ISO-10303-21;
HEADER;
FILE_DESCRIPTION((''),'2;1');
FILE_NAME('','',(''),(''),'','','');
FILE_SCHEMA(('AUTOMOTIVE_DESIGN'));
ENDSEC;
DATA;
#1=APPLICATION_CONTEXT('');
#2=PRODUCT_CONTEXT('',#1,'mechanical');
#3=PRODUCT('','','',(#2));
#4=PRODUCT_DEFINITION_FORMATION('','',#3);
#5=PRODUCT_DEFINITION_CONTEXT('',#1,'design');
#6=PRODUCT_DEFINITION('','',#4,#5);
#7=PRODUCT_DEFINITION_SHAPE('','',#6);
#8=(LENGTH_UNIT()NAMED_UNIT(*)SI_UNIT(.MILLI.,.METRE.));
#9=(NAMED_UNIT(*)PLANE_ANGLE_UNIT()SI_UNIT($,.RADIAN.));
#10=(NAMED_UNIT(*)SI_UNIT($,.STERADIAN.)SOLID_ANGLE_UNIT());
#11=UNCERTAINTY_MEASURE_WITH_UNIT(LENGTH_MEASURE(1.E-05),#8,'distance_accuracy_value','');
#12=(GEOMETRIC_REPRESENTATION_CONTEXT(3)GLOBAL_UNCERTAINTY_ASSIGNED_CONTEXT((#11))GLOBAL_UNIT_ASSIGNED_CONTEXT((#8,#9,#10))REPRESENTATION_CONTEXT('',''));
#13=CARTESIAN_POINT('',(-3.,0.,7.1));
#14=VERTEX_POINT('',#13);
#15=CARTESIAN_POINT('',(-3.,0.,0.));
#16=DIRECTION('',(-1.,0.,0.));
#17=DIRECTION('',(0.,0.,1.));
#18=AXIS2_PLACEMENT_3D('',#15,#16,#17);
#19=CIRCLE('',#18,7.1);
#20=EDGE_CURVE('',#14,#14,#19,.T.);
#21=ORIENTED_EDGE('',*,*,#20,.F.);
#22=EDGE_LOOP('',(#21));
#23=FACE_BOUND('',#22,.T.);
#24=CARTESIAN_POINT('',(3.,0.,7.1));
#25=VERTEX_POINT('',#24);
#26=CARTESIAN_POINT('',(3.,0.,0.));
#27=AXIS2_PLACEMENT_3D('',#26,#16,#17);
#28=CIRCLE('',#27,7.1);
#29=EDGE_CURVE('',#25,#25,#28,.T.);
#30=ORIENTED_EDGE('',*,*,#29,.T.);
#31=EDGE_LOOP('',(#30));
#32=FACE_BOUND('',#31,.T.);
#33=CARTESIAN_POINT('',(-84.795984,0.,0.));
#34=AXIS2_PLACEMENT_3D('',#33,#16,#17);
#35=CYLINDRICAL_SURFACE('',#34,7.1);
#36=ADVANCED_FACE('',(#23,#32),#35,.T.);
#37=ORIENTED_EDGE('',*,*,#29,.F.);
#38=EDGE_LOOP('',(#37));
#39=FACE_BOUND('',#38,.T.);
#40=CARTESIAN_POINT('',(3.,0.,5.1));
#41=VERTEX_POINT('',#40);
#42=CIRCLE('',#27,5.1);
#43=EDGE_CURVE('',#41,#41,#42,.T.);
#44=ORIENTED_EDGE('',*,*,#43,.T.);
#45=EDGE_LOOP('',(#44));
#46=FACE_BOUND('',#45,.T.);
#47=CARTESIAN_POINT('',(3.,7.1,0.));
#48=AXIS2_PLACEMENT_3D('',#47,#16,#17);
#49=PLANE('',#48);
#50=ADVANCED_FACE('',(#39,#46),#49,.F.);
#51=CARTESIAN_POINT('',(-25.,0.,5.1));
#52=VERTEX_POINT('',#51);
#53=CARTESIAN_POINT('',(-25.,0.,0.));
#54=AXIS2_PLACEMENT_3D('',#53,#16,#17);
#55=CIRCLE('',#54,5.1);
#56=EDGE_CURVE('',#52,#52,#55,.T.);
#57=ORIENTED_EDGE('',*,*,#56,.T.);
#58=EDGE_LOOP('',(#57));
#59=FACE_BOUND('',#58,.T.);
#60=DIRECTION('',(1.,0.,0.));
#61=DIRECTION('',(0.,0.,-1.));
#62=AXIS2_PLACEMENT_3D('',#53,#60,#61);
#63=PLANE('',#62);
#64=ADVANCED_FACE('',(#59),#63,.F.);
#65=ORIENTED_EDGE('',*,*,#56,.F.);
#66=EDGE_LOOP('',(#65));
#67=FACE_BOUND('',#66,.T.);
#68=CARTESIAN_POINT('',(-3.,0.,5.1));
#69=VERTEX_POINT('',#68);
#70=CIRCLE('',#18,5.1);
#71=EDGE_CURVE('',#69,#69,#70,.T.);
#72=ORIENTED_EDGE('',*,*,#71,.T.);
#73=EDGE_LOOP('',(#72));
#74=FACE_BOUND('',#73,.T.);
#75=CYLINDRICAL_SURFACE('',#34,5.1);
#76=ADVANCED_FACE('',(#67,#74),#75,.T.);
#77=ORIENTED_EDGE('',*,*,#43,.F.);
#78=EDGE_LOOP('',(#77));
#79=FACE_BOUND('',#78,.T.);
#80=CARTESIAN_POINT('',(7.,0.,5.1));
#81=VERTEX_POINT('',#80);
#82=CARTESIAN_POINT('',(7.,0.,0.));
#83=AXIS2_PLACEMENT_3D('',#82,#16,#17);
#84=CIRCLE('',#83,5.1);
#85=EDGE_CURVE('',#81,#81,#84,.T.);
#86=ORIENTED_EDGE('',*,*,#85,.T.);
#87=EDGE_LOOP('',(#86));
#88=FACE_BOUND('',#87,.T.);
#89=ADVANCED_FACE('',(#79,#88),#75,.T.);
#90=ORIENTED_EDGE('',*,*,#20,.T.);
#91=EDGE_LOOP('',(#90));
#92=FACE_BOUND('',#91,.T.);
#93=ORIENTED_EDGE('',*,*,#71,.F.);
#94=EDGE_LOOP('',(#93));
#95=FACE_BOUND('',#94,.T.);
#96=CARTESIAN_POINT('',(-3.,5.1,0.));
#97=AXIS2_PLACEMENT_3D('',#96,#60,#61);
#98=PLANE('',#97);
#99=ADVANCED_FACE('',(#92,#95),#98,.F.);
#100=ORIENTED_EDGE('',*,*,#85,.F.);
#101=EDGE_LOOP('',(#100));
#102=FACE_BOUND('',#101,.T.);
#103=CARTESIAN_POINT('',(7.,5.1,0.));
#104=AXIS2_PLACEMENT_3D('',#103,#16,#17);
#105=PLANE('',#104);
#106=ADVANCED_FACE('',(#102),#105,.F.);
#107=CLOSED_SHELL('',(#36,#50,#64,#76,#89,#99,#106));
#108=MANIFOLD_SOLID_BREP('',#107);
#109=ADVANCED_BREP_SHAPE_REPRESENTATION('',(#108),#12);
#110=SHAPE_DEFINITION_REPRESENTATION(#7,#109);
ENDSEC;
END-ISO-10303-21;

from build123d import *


with BuildPart() as part:
    # 草图1 → 旋转1 (revolve)
    with BuildSketch(Plane.XY, mode=Mode.PRIVATE) as revolve_1_sk:
        Polygon((-25, 0), (-25, 5.1), (-3, 5.1), (-3, 7.1), (3, 7.1), (3, 5.1), (7, 5.1), (7, 0), align=None)
    revolve(revolve_1_sk.sketch.rotate(Axis((-84.795984063, 0, 0), (1, 0, 0)), 90), axis=Axis((-84.795984063, 0, 0), (1, 0, 0)))


solid = part.part
